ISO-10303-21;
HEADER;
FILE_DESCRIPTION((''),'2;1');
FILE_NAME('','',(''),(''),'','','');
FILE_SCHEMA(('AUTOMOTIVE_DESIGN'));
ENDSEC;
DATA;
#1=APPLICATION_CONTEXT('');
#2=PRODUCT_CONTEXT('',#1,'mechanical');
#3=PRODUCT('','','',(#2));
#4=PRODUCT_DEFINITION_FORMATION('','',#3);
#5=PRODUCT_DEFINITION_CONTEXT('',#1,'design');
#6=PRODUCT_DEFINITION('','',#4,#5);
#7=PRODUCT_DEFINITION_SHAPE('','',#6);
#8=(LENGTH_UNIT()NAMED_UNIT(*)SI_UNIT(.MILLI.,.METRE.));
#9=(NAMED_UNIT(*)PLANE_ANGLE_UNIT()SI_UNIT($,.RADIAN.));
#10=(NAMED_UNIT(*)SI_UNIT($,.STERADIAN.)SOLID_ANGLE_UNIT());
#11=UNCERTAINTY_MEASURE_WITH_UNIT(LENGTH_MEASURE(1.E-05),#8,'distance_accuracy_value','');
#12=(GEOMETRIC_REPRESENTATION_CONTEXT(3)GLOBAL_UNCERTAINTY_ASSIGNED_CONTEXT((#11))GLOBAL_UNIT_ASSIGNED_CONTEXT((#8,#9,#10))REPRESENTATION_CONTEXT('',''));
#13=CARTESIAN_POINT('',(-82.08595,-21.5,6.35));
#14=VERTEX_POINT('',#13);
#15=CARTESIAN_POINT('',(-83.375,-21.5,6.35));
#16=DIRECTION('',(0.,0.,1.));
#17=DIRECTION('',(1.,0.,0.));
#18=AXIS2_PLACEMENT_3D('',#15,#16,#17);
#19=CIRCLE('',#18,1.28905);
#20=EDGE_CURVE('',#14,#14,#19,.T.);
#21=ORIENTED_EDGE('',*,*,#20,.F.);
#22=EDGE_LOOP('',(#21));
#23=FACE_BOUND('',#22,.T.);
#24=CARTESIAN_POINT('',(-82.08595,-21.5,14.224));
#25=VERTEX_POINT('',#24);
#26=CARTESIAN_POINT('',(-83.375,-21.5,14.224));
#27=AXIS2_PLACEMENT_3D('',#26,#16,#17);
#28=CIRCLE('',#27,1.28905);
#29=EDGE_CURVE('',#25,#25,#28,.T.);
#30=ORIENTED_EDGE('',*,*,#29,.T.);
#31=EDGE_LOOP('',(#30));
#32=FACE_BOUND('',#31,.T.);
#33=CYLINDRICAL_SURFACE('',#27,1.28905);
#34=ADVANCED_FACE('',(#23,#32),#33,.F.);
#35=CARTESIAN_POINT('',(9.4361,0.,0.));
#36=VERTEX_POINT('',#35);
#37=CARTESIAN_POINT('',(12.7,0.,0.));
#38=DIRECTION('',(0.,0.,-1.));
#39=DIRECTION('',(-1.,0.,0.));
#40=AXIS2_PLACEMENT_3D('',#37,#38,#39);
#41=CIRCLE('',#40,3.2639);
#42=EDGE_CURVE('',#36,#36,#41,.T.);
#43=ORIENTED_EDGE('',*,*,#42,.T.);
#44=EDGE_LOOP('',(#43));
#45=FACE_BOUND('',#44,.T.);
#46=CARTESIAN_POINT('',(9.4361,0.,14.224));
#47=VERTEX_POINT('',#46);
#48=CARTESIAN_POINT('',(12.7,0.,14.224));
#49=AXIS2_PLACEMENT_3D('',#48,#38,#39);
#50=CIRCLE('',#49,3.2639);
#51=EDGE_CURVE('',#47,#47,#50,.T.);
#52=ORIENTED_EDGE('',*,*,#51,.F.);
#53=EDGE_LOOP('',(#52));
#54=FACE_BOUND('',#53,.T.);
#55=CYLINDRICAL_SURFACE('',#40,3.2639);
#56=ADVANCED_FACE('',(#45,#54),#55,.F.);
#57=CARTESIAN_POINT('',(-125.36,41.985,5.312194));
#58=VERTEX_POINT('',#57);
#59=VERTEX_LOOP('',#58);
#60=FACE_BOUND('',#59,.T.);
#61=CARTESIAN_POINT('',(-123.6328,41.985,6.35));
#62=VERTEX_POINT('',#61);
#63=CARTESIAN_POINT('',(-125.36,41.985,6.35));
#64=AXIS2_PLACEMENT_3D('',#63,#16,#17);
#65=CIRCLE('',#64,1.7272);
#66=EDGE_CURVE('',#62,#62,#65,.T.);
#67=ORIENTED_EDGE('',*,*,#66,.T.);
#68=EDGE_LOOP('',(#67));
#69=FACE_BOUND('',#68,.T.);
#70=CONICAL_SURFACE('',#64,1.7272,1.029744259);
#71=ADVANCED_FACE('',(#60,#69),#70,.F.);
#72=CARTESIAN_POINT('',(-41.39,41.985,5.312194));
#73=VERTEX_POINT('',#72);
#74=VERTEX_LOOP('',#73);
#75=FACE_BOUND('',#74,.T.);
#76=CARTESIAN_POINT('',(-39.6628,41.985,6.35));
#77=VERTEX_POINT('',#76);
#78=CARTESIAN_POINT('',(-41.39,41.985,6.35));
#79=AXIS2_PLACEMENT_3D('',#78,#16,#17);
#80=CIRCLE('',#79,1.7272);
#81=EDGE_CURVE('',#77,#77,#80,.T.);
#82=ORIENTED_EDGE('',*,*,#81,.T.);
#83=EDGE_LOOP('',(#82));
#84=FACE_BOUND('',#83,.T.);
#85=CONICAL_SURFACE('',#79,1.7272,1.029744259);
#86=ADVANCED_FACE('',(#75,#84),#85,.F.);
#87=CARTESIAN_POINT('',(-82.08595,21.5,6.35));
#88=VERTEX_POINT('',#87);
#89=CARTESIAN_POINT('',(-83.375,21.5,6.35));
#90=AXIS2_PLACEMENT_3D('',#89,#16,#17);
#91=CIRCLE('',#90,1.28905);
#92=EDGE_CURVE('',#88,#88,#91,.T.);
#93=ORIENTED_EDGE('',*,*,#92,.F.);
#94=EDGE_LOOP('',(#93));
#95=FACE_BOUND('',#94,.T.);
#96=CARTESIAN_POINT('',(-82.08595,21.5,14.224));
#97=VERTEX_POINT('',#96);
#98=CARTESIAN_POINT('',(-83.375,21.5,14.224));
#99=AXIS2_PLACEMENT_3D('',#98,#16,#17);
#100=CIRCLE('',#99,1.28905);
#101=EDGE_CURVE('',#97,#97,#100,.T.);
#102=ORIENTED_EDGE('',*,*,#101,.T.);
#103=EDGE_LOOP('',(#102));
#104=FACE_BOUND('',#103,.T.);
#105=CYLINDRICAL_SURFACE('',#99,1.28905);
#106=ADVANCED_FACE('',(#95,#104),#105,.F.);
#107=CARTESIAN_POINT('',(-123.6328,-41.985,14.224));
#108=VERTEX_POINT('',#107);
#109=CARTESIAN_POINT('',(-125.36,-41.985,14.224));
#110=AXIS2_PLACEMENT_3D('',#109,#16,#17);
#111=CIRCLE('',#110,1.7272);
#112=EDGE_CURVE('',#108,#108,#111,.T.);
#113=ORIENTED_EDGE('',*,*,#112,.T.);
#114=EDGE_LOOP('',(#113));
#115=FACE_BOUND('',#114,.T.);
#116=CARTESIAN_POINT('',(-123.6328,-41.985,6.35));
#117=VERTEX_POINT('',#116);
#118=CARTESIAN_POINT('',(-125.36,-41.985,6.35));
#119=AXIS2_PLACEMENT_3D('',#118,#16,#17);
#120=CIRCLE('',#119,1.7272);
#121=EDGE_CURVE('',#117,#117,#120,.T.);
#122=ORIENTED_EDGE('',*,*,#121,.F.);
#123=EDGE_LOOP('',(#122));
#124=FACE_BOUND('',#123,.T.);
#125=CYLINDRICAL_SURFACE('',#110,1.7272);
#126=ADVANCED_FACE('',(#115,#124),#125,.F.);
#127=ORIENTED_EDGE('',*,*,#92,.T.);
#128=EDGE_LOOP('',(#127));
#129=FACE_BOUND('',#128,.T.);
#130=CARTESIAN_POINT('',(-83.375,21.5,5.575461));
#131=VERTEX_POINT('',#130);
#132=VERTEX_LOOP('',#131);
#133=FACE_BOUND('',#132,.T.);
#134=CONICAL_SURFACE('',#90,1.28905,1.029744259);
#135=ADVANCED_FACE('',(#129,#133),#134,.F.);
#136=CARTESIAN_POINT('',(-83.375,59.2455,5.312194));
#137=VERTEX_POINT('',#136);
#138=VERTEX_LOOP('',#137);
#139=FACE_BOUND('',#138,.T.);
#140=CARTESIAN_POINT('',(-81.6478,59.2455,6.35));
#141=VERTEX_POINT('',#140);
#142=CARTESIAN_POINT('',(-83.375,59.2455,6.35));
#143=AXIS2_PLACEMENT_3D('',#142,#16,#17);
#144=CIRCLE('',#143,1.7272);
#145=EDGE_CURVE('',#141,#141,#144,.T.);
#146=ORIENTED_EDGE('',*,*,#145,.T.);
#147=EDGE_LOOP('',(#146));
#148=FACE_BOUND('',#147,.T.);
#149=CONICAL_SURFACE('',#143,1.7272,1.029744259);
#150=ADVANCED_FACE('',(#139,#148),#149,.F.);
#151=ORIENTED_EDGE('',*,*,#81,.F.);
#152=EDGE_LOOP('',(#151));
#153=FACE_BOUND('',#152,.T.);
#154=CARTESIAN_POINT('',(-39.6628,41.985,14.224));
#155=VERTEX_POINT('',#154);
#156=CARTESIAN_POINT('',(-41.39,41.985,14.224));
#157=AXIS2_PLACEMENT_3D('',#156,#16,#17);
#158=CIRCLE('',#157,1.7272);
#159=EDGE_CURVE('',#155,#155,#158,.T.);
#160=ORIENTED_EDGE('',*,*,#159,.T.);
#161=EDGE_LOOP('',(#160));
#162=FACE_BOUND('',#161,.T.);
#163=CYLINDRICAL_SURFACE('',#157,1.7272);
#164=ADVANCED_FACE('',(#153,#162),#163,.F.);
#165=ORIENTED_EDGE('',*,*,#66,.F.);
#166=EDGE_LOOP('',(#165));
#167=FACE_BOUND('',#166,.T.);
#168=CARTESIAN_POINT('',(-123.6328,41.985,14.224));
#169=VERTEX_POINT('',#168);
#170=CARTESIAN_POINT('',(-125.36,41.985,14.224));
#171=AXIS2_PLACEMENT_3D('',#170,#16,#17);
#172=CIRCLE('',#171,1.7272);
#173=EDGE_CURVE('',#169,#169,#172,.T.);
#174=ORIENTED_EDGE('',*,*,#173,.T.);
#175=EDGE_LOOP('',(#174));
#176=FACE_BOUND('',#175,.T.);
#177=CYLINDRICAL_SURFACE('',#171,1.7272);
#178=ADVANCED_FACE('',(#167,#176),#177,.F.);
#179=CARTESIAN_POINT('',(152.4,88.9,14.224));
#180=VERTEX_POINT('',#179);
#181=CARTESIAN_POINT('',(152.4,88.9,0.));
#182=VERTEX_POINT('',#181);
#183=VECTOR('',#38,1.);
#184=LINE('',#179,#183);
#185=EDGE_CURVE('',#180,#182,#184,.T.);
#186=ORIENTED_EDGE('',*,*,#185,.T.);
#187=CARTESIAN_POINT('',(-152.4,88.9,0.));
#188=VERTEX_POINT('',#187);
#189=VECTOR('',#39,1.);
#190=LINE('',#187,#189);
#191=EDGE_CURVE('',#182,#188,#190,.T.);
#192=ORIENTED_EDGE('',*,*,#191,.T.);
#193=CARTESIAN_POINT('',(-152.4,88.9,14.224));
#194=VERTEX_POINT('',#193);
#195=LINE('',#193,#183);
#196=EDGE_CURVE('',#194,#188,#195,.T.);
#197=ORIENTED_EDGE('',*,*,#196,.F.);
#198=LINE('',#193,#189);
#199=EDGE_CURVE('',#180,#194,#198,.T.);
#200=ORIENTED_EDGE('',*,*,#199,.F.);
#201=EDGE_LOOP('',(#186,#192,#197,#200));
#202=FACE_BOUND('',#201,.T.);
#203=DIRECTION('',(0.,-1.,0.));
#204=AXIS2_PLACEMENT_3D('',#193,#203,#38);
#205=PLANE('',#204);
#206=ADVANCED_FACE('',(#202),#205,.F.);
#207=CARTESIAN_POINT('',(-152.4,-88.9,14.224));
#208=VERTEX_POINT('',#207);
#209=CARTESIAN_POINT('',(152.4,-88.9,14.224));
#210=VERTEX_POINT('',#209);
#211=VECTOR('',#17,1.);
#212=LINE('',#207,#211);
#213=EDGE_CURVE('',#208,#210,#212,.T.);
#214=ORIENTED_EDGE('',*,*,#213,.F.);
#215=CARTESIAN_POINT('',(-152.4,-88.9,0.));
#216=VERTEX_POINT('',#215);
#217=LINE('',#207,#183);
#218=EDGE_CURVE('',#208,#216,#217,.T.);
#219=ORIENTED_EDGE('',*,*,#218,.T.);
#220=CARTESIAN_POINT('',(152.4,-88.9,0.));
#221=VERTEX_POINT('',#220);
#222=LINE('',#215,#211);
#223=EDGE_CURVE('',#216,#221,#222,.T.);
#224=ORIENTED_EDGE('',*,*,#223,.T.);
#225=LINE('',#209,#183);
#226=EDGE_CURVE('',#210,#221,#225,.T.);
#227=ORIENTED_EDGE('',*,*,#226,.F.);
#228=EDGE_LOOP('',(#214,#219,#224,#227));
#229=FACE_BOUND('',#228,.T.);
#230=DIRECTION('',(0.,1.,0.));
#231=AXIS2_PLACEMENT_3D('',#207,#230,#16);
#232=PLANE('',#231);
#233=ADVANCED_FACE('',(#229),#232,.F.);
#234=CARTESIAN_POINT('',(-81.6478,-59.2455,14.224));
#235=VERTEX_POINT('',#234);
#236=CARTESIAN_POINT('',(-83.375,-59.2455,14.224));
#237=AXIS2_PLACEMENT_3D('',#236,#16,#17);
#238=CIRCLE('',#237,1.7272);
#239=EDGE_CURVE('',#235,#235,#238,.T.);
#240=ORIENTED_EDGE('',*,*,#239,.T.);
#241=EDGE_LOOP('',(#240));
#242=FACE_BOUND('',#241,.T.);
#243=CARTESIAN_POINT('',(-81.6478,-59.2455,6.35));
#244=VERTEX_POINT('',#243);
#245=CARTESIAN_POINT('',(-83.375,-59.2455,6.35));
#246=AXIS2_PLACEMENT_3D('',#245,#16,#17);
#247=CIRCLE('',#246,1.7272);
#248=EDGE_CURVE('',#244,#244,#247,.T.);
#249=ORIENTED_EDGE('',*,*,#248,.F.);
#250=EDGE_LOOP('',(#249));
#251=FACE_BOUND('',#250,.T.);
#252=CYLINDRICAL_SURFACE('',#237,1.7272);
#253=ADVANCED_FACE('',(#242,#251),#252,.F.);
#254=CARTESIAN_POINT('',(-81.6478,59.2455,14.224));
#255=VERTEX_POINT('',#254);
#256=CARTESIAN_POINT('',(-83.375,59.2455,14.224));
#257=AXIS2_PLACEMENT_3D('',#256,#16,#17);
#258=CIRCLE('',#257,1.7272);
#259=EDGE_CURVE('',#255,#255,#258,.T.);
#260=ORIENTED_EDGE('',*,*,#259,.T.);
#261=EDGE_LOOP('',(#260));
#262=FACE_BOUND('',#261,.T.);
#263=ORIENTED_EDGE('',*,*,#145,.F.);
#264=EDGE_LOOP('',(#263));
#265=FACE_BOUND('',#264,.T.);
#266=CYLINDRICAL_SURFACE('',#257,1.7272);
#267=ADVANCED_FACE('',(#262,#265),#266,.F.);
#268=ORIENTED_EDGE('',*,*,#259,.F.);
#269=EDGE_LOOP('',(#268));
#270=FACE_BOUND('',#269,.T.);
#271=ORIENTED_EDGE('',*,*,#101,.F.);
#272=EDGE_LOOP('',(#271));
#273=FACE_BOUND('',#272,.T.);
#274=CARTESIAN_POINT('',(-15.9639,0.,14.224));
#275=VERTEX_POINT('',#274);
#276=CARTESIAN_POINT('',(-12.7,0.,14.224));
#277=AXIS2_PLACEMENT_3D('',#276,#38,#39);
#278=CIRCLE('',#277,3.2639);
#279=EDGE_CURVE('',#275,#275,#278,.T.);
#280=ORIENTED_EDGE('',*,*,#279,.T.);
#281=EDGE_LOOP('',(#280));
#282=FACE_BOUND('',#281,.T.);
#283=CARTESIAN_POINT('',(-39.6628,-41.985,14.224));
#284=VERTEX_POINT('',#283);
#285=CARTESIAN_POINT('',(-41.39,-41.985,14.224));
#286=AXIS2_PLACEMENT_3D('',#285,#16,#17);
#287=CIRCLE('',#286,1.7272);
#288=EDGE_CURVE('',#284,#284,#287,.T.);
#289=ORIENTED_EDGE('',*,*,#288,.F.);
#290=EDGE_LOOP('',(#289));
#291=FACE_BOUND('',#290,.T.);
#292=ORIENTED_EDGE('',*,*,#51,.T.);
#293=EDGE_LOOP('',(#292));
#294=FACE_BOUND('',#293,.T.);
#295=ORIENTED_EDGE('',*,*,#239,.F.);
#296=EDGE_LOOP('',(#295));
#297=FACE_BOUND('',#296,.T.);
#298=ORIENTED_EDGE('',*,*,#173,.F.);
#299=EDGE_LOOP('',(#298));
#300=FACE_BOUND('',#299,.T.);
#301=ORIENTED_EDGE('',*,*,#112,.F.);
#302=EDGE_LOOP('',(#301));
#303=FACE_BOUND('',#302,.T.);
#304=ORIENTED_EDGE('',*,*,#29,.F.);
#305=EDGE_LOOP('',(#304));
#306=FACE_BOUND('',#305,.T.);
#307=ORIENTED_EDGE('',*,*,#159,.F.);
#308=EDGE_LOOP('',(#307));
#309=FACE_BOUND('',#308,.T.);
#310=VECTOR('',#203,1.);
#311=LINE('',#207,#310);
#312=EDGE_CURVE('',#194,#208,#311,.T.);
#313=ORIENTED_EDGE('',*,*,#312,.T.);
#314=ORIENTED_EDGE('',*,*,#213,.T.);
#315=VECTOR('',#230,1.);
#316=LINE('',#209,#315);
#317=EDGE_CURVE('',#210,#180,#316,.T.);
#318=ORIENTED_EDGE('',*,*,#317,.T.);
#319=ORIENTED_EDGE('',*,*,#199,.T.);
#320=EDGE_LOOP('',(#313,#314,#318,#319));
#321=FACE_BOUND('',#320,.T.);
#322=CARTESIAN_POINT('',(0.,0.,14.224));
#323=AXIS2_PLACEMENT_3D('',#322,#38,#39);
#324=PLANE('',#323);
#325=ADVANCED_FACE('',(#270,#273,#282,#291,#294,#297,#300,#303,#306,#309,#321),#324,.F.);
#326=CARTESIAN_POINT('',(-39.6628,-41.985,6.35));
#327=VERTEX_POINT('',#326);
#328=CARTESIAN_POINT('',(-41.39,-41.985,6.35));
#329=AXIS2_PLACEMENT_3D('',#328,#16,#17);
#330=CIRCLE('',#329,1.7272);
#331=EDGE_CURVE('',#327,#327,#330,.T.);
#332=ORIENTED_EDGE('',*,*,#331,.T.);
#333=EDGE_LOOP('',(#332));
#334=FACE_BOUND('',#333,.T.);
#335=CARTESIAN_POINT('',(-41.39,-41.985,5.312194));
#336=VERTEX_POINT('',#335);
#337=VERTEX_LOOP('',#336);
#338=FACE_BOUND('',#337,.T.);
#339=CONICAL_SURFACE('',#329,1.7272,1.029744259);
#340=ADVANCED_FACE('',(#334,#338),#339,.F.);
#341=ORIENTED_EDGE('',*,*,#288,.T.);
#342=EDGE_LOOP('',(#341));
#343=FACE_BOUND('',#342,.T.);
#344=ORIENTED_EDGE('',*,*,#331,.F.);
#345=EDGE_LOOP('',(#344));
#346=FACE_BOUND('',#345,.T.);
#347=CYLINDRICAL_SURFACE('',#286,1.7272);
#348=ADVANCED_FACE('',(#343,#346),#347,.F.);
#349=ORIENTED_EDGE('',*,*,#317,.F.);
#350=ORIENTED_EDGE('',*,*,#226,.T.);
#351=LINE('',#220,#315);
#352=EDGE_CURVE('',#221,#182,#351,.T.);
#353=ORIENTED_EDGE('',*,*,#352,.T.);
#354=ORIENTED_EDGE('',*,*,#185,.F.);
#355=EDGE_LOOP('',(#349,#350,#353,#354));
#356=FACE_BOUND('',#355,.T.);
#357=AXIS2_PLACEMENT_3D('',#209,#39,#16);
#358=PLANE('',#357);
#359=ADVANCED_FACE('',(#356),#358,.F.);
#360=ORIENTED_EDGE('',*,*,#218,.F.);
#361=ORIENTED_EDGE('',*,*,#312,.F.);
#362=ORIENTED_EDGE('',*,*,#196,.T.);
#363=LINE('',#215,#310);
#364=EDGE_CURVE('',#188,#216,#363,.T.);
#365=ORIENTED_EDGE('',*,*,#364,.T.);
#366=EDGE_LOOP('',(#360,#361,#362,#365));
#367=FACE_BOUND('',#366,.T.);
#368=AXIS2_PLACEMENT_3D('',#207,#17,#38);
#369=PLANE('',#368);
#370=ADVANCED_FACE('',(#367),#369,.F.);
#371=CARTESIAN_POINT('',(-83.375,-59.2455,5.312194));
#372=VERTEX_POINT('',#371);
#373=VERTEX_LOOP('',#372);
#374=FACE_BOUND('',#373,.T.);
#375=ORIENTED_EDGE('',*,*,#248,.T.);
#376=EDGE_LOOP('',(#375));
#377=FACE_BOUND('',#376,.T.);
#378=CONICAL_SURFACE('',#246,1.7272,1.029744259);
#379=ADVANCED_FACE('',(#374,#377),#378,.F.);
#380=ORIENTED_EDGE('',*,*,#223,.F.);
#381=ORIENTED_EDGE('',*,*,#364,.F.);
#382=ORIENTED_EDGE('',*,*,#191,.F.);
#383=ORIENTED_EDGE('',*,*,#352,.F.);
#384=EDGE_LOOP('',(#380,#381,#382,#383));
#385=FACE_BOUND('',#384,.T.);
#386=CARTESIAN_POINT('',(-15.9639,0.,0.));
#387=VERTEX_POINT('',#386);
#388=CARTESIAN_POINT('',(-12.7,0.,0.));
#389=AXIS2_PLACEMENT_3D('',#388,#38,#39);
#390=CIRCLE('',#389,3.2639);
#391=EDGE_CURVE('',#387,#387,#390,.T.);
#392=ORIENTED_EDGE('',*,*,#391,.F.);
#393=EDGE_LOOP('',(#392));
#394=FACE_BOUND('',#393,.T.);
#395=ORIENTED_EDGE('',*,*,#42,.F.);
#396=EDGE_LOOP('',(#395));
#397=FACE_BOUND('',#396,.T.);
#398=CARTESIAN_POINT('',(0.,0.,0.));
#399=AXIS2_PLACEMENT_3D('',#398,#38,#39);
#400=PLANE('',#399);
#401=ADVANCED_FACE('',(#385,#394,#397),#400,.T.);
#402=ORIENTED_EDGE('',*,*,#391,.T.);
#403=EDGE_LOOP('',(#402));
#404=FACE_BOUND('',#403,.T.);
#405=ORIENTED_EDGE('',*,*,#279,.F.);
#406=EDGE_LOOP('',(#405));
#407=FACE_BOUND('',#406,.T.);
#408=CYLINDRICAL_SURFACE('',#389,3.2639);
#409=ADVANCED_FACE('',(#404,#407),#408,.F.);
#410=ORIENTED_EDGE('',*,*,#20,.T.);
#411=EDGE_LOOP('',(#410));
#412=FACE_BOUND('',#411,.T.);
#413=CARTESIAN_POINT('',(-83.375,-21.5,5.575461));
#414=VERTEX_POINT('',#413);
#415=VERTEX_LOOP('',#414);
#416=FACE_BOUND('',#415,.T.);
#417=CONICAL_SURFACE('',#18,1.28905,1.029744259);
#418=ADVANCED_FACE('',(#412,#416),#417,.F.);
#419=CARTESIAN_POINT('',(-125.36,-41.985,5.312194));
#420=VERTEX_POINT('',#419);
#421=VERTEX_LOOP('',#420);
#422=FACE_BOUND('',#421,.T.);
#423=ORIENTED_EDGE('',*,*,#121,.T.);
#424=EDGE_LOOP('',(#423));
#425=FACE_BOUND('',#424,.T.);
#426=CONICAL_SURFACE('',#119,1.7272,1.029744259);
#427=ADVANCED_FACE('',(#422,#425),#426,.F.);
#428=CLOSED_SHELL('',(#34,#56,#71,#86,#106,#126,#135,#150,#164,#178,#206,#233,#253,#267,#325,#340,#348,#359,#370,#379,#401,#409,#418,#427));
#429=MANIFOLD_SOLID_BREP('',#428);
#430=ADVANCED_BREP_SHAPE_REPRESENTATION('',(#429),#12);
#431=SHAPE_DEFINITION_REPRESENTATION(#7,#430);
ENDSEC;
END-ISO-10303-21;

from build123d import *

# Parameters (mm, degrees)
SKETCH1_W                     = 304.8
SKETCH1_H                     = 177.8
BOSS_EXTRUDE1_DEPTH           = 14.224
TAP_DRILL_FOR_8_32_TAP1_D     = 3.4544
TAP_DRILL_FOR_8_32_TAP1_DEPTH = 7.874
TAP_DRILL_FOR_8_32_TAP1_TIP   = 1.037806461
TAP_DRILL_FOR_5_40_TAP1_D     = 2.5781
TAP_DRILL_FOR_5_40_TAP1_DEPTH = 7.874
TAP_DRILL_FOR_5_40_TAP1_TIP   = 0.774539381
F_1_4_CLEARANCE_HOLE1_D       = 6.5278


with BuildPart() as part:
    # Sketch1 → Boss-Extrude1 (new body)
    with BuildSketch(Plane.XY):
        Rectangle(SKETCH1_W, SKETCH1_H)
    extrude(amount=BOSS_EXTRUDE1_DEPTH)

    # Tap Drill for #8-32 Tap1
    with Locations(Plane.XY.offset(14.224)):
        with Locations((-41.39, 41.985), (-41.39, -41.985), (-125.36, -41.985), (-125.36, 41.985), (-83.375, 59.2455), (-83.375, -59.2455)):
            Hole(TAP_DRILL_FOR_8_32_TAP1_D / 2, depth=TAP_DRILL_FOR_8_32_TAP1_DEPTH)
            with Locations((0, 0, -(TAP_DRILL_FOR_8_32_TAP1_DEPTH + TAP_DRILL_FOR_8_32_TAP1_TIP / 2))):  # 118° drill point
                Cone(0, TAP_DRILL_FOR_8_32_TAP1_D / 2, TAP_DRILL_FOR_8_32_TAP1_TIP, mode=Mode.SUBTRACT)

    # Tap Drill for #5-40 Tap1
    with Locations(Plane.XY.offset(14.224)):
        with Locations((-83.375, 21.5), (-83.375, -21.5)):
            Hole(TAP_DRILL_FOR_5_40_TAP1_D / 2, depth=TAP_DRILL_FOR_5_40_TAP1_DEPTH)
            with Locations((0, 0, -(TAP_DRILL_FOR_5_40_TAP1_DEPTH + TAP_DRILL_FOR_5_40_TAP1_TIP / 2))):  # 118° drill point
                Cone(0, TAP_DRILL_FOR_5_40_TAP1_D / 2, TAP_DRILL_FOR_5_40_TAP1_TIP, mode=Mode.SUBTRACT)

    # 1/4 Clearance Hole1 (through all)
    with Locations(Plane(origin=(0, 0, 0), x_dir=(1, 0, 0), z_dir=(0, 0, -1))):
        with Locations((-12.7, 0), (12.7, 0)):
            Hole(F_1_4_CLEARANCE_HOLE1_D / 2)


solid = part.part
